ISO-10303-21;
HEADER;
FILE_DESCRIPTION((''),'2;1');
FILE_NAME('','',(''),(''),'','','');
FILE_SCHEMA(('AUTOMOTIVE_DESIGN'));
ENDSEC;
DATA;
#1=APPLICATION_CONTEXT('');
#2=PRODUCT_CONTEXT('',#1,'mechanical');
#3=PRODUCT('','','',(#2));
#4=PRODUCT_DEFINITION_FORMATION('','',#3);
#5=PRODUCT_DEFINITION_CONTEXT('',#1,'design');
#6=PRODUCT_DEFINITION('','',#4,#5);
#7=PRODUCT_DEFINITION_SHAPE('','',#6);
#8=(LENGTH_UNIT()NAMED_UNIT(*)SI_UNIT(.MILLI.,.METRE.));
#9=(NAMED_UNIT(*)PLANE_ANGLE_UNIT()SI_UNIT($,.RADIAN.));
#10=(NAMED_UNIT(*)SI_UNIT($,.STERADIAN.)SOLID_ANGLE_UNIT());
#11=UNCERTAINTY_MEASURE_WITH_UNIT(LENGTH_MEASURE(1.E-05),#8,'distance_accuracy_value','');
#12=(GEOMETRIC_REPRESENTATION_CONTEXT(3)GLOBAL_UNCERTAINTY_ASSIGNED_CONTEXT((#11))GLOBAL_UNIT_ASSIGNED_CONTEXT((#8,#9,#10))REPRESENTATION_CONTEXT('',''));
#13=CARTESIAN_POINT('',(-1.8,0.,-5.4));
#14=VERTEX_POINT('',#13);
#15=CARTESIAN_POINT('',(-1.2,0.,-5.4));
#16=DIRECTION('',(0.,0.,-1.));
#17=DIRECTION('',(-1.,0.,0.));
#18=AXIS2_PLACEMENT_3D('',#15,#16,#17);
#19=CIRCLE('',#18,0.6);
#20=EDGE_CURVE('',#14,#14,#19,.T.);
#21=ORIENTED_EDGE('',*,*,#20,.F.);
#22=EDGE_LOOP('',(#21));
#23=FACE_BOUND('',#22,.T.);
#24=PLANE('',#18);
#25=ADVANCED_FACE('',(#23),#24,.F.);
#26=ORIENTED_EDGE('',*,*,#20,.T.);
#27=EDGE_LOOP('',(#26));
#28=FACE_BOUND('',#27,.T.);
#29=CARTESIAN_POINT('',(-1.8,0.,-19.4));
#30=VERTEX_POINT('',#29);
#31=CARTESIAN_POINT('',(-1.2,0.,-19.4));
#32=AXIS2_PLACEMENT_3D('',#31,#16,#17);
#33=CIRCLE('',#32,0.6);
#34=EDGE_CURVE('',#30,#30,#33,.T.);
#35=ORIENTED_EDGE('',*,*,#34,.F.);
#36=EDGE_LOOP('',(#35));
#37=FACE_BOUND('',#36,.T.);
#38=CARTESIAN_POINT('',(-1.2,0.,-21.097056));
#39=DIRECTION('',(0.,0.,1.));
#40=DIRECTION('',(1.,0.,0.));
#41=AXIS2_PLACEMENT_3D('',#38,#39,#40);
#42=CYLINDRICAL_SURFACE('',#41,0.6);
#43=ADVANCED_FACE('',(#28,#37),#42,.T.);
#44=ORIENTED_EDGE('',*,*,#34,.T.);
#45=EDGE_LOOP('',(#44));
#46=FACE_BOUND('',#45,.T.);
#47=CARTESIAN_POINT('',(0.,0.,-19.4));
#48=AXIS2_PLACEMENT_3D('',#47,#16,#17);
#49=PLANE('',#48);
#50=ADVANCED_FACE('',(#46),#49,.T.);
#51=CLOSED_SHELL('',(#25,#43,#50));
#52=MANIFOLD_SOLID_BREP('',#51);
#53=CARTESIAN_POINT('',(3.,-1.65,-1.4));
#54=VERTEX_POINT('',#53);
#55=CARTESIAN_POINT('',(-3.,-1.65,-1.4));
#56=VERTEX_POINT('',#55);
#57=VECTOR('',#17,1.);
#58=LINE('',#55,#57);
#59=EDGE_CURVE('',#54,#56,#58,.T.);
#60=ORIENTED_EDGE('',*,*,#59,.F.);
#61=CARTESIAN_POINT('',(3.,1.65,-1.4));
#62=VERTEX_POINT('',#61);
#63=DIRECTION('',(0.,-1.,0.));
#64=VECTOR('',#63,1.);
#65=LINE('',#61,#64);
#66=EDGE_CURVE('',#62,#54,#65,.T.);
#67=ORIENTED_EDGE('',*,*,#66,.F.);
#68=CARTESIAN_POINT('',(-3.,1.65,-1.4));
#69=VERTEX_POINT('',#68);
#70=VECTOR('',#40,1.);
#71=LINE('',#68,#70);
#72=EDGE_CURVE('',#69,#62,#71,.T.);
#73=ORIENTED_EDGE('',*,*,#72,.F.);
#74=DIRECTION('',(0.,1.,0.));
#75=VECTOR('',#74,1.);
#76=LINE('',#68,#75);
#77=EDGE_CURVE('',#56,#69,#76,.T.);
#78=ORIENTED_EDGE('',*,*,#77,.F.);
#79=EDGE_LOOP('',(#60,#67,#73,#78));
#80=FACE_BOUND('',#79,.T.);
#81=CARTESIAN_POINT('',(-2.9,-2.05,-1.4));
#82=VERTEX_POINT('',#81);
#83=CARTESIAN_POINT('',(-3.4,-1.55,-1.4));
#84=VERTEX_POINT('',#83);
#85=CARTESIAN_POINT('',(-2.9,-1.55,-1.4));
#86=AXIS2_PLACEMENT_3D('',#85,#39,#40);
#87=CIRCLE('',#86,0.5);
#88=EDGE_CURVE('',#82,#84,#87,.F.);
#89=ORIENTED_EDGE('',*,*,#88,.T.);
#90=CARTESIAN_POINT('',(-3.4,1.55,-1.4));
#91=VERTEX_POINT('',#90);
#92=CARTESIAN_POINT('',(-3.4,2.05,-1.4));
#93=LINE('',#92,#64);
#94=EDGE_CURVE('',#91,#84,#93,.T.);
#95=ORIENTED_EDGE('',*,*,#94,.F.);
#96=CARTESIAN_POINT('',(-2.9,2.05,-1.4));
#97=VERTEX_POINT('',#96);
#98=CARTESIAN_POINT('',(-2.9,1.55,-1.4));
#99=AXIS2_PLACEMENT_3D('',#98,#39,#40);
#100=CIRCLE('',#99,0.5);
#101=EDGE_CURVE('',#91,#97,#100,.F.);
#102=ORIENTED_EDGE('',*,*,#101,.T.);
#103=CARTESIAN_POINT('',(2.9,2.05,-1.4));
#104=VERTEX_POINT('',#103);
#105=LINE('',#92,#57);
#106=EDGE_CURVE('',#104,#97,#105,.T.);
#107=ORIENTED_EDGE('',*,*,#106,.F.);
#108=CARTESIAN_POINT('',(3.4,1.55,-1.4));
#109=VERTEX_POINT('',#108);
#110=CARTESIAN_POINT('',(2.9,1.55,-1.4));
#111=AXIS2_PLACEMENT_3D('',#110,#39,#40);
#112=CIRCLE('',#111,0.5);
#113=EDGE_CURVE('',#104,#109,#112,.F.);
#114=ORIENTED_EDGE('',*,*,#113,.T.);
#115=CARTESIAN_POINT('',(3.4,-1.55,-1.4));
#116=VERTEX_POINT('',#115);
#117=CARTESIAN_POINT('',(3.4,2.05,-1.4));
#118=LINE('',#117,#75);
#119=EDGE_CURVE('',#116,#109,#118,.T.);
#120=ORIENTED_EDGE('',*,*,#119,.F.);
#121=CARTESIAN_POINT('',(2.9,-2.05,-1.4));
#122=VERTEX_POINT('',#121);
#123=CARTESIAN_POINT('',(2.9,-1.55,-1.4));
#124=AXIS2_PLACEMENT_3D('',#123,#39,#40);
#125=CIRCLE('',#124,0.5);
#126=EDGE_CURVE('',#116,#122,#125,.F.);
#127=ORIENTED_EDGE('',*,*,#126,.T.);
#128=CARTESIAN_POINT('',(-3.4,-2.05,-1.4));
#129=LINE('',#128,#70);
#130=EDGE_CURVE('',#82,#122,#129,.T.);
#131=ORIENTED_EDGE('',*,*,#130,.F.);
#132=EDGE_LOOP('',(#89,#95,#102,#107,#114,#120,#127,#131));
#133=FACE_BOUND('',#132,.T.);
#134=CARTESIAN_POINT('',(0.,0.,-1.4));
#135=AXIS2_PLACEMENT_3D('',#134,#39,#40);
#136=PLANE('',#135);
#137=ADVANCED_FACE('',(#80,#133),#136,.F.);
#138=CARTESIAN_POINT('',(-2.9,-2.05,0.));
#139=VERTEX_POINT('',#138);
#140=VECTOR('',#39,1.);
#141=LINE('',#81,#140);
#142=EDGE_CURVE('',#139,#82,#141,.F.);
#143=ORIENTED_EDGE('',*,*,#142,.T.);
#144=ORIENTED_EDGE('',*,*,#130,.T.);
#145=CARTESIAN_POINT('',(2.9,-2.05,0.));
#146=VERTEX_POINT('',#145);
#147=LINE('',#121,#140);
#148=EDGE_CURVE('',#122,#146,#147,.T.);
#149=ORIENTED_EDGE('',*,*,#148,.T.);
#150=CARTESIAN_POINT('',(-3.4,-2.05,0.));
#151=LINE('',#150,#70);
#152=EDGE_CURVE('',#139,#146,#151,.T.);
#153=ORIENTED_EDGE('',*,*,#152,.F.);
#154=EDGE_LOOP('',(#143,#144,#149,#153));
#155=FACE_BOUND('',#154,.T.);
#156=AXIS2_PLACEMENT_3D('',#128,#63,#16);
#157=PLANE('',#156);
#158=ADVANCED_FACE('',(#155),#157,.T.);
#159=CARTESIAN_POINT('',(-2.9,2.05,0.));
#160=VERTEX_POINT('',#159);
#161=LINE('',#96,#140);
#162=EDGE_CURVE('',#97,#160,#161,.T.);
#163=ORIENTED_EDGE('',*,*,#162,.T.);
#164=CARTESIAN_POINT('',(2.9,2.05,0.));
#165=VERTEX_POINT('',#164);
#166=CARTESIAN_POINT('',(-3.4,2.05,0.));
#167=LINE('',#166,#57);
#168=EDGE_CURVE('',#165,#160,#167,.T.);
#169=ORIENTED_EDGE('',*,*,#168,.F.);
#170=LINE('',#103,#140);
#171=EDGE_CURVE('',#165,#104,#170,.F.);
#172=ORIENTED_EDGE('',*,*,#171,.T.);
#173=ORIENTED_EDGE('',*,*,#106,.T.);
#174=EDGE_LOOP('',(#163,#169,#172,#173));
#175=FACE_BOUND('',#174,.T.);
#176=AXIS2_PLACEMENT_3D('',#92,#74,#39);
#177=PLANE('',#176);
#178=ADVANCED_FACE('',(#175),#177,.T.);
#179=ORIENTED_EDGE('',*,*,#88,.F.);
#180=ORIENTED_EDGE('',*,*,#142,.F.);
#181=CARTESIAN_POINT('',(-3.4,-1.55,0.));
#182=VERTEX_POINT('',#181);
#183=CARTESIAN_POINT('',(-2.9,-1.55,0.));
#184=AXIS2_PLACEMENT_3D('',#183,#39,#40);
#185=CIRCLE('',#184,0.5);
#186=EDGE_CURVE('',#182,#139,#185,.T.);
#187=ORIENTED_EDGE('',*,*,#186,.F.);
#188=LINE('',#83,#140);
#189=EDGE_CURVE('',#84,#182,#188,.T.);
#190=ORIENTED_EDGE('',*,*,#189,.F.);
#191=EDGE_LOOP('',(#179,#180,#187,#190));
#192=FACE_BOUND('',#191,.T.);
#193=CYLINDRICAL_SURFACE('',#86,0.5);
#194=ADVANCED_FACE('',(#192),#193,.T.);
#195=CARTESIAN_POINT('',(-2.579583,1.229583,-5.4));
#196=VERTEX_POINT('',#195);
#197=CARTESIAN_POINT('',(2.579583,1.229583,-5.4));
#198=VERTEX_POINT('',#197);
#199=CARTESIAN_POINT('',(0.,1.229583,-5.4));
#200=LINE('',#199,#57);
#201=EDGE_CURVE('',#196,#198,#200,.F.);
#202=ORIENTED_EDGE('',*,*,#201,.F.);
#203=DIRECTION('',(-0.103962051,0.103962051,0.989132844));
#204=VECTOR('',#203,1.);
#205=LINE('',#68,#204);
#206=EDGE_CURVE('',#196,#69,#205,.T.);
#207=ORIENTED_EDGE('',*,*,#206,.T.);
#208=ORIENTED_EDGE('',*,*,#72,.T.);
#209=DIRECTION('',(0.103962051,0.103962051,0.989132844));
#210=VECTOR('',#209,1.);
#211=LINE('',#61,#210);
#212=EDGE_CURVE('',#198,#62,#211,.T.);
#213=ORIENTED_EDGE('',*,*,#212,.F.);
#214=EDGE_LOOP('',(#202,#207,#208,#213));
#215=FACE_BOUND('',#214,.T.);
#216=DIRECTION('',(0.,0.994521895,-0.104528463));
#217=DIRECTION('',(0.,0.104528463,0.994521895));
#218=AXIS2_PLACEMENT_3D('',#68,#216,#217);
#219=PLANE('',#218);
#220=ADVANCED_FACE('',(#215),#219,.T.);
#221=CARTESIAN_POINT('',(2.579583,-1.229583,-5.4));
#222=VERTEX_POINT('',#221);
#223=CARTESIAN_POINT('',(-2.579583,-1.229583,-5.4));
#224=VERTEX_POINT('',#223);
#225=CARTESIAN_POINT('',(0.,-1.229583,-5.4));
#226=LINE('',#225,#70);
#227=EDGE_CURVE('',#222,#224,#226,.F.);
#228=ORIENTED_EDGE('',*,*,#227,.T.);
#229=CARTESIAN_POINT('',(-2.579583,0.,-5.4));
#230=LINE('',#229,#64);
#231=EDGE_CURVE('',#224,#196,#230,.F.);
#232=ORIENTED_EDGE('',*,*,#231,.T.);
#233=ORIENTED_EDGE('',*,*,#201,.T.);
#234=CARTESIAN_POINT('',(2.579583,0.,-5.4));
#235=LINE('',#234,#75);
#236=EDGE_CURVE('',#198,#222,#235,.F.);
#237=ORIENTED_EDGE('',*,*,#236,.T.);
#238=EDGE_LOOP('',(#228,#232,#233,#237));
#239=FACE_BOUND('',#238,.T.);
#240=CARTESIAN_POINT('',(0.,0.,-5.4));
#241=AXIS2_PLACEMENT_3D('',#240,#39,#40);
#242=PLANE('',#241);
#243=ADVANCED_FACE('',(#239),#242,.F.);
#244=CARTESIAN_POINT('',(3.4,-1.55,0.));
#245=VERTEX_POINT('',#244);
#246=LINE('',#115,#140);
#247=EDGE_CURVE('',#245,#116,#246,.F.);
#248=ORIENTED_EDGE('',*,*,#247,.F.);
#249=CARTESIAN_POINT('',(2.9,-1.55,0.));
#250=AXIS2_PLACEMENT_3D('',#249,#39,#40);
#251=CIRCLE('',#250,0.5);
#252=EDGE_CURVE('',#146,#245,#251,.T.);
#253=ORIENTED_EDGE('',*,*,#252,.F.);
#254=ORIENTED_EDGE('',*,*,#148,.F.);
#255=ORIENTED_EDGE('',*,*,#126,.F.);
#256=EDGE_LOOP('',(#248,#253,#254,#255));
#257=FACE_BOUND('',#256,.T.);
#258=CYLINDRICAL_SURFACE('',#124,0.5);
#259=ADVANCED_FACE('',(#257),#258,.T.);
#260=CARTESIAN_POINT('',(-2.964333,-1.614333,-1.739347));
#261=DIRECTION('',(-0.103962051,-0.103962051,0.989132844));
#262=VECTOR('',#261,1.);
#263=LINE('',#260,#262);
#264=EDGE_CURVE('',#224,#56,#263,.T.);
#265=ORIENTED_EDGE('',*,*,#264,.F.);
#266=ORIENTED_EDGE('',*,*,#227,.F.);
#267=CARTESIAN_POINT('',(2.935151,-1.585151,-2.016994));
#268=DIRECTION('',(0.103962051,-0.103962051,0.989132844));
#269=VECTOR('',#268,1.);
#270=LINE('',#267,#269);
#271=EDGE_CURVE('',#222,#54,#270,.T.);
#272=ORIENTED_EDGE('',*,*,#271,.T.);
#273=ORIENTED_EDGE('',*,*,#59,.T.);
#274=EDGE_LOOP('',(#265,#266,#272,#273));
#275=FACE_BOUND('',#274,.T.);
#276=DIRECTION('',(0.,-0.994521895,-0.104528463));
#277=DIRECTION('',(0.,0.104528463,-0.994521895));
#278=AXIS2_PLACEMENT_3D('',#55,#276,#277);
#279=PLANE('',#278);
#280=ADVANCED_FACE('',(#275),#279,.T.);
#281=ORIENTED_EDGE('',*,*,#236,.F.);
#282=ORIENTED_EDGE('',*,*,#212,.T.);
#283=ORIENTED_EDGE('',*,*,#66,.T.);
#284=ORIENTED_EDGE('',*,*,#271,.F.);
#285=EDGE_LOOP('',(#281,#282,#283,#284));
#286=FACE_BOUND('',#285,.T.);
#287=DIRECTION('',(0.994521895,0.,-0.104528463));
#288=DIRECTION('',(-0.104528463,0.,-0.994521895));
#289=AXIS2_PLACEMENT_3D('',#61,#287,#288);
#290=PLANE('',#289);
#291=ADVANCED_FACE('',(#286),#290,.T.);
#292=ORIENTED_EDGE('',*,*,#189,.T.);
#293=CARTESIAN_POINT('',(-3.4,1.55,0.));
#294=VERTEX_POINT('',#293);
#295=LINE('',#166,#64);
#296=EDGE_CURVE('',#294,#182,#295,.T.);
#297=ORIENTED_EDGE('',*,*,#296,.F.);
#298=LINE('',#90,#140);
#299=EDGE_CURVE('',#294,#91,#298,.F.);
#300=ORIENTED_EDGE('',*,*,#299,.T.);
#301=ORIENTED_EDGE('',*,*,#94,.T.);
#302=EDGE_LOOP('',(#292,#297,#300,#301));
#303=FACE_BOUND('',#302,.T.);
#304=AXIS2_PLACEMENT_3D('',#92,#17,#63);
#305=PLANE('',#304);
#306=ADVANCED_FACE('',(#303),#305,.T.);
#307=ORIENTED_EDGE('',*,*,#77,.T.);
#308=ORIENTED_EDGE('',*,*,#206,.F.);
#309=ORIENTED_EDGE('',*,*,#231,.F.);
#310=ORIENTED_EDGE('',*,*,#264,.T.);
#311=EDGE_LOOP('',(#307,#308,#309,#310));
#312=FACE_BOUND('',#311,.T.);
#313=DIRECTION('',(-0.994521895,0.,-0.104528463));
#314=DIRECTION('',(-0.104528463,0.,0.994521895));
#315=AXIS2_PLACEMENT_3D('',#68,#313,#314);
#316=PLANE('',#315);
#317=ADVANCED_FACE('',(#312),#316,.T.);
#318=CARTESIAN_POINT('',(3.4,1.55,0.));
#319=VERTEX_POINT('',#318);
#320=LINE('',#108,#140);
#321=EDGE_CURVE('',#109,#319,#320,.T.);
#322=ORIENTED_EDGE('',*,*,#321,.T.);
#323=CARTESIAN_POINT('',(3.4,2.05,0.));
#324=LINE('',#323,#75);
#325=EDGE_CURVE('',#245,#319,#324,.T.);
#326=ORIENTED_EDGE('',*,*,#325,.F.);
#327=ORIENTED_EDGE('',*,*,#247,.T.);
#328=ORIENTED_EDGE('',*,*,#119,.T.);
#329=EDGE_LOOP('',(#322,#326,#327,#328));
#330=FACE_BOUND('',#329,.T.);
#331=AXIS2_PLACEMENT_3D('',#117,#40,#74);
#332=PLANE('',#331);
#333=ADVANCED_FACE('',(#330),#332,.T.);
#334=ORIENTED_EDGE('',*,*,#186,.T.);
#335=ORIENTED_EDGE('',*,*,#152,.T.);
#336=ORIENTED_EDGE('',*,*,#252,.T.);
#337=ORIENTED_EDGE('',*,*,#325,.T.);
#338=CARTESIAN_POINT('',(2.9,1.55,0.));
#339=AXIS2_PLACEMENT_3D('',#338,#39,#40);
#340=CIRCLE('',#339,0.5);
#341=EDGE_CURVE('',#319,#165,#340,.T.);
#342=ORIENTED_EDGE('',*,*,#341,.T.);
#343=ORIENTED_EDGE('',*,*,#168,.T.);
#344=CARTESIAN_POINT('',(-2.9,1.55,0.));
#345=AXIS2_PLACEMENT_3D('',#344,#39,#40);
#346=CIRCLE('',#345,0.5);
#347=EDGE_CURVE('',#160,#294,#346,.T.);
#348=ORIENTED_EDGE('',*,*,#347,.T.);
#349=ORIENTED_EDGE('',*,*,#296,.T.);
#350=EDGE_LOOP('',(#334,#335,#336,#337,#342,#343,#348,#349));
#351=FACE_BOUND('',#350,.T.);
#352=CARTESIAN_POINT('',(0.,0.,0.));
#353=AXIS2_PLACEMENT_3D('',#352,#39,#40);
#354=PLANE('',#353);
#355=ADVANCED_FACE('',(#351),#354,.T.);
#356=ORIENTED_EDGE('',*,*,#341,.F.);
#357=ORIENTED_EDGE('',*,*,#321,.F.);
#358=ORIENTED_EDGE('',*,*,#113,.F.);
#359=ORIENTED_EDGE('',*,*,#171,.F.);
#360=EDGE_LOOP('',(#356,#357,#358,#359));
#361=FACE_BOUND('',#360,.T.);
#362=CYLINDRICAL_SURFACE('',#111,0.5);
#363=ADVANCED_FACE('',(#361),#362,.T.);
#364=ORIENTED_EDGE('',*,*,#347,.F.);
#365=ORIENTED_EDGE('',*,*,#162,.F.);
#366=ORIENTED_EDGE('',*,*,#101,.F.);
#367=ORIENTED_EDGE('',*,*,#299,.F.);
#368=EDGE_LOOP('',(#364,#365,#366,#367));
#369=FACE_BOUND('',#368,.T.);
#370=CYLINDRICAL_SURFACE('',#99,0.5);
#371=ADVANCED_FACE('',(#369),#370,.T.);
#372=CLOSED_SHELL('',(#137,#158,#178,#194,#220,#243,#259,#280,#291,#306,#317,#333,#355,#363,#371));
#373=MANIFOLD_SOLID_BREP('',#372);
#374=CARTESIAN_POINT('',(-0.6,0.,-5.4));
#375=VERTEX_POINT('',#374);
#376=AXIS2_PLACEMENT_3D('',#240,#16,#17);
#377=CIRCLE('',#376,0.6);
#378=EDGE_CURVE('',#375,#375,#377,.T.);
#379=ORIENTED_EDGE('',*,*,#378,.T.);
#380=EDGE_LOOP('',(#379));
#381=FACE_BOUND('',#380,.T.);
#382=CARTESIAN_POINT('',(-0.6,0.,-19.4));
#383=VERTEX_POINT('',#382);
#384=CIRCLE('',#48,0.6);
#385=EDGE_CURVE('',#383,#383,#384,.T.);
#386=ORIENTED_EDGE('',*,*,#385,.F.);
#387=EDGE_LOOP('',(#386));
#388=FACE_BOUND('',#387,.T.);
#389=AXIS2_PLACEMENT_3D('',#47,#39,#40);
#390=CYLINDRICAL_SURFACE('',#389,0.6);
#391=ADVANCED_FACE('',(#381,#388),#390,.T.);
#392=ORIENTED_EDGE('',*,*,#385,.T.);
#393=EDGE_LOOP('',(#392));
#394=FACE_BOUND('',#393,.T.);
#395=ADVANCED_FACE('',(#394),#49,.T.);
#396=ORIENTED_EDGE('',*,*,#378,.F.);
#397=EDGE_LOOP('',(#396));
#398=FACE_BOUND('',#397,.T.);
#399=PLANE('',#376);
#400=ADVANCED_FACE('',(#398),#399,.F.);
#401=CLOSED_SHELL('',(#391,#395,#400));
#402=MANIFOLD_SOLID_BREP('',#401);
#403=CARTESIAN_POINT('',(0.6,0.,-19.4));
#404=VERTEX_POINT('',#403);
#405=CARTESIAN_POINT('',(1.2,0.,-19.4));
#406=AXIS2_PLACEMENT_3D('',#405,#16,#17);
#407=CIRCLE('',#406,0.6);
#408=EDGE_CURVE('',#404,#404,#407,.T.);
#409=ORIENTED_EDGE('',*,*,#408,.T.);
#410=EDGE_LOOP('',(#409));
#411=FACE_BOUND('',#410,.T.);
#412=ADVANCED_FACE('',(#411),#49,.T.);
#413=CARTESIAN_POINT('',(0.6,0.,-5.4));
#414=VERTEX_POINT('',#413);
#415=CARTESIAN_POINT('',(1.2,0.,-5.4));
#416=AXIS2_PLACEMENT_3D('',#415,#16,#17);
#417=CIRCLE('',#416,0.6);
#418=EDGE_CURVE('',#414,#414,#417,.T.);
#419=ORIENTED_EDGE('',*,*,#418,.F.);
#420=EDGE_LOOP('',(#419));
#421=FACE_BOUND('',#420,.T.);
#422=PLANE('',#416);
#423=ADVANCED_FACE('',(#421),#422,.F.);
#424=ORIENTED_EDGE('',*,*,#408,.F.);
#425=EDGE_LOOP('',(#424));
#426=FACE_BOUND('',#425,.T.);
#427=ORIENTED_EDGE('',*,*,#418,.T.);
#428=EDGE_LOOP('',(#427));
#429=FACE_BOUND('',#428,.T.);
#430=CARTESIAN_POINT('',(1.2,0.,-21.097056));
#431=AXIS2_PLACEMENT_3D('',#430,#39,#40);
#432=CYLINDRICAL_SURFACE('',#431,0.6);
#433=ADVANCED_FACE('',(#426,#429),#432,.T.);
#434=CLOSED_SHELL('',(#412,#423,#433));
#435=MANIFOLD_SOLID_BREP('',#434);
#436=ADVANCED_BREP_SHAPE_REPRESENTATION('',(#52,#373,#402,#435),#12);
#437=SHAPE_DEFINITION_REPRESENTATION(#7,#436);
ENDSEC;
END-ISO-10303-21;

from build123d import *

# Parameters (mm, degrees)
SKETCH1_W           = 6.8
SKETCH1_H           = 4.1
BOSS_EXTRUDE1_DEPTH = 1.4
SKETCH2_W           = 6
SKETCH2_H           = 3.3
BOSS_EXTRUDE2_DEPTH = 4
BOSS_EXTRUDE2_TAPER = 6
FILLET1_R           = 0.5
SKETCH3_R           = 0.6
POSITIVE_DEPTH      = 14
SKETCH4_R           = 0.6
SIGNAL_DEPTH        = 14
SKETCH5_R           = 0.6
NEGATIVE_DEPTH      = 14


with BuildPart() as part:
    # Sketch1 → Boss-Extrude1 (new body)
    with BuildSketch(Plane.XY):
        Rectangle(SKETCH1_W, SKETCH1_H)
    extrude(amount=-BOSS_EXTRUDE1_DEPTH)

    # Sketch2 → Boss-Extrude2 (add)
    with BuildSketch(Plane(origin=(0, 0, -1.4), x_dir=(-1, 0, 0), z_dir=(0, 0, -1))):
        Rectangle(SKETCH2_W, SKETCH2_H)
    extrude(amount=BOSS_EXTRUDE2_DEPTH, taper=BOSS_EXTRUDE2_TAPER)

    # Fillet1
    fillet1_edges = [part.edges().sort_by_distance(p)[0] for p in [
        (3.4, -2.05, -0.7),
        (-3.4, -2.05, -0.7),
        (-3.4, 2.05, -0.7),
        (3.4, 2.05, -0.7),
    ]]
    fillet(fillet1_edges, radius=FILLET1_R)


with BuildPart() as body_2:
    # Sketch3 → POSITIVE (new body)
    with BuildSketch(Plane(origin=(0, 0, -5.4), x_dir=(-1, 0, 0), z_dir=(0, 0, -1))):
        Circle(SKETCH3_R)
    extrude(amount=POSITIVE_DEPTH)


with BuildPart() as body_3:
    # Sketch4 → SIGNAL (new body)
    with BuildSketch(Plane(origin=(0, 0, -5.4), x_dir=(-1, 0, 0), z_dir=(0, 0, -1))):
        with Locations((1.2, 0)):
            Circle(SKETCH4_R)
    extrude(amount=SIGNAL_DEPTH)


with BuildPart() as body_4:
    # Sketch5 → NEGATIVE (new body)
    with BuildSketch(Plane(origin=(0, 0, -5.4), x_dir=(-1, 0, 0), z_dir=(0, 0, -1))):
        with Locations((-1.2, 0)):
            Circle(SKETCH5_R)
    extrude(amount=NEGATIVE_DEPTH)


solid = Compound([part.part, body_2.part, body_3.part, body_4.part])
